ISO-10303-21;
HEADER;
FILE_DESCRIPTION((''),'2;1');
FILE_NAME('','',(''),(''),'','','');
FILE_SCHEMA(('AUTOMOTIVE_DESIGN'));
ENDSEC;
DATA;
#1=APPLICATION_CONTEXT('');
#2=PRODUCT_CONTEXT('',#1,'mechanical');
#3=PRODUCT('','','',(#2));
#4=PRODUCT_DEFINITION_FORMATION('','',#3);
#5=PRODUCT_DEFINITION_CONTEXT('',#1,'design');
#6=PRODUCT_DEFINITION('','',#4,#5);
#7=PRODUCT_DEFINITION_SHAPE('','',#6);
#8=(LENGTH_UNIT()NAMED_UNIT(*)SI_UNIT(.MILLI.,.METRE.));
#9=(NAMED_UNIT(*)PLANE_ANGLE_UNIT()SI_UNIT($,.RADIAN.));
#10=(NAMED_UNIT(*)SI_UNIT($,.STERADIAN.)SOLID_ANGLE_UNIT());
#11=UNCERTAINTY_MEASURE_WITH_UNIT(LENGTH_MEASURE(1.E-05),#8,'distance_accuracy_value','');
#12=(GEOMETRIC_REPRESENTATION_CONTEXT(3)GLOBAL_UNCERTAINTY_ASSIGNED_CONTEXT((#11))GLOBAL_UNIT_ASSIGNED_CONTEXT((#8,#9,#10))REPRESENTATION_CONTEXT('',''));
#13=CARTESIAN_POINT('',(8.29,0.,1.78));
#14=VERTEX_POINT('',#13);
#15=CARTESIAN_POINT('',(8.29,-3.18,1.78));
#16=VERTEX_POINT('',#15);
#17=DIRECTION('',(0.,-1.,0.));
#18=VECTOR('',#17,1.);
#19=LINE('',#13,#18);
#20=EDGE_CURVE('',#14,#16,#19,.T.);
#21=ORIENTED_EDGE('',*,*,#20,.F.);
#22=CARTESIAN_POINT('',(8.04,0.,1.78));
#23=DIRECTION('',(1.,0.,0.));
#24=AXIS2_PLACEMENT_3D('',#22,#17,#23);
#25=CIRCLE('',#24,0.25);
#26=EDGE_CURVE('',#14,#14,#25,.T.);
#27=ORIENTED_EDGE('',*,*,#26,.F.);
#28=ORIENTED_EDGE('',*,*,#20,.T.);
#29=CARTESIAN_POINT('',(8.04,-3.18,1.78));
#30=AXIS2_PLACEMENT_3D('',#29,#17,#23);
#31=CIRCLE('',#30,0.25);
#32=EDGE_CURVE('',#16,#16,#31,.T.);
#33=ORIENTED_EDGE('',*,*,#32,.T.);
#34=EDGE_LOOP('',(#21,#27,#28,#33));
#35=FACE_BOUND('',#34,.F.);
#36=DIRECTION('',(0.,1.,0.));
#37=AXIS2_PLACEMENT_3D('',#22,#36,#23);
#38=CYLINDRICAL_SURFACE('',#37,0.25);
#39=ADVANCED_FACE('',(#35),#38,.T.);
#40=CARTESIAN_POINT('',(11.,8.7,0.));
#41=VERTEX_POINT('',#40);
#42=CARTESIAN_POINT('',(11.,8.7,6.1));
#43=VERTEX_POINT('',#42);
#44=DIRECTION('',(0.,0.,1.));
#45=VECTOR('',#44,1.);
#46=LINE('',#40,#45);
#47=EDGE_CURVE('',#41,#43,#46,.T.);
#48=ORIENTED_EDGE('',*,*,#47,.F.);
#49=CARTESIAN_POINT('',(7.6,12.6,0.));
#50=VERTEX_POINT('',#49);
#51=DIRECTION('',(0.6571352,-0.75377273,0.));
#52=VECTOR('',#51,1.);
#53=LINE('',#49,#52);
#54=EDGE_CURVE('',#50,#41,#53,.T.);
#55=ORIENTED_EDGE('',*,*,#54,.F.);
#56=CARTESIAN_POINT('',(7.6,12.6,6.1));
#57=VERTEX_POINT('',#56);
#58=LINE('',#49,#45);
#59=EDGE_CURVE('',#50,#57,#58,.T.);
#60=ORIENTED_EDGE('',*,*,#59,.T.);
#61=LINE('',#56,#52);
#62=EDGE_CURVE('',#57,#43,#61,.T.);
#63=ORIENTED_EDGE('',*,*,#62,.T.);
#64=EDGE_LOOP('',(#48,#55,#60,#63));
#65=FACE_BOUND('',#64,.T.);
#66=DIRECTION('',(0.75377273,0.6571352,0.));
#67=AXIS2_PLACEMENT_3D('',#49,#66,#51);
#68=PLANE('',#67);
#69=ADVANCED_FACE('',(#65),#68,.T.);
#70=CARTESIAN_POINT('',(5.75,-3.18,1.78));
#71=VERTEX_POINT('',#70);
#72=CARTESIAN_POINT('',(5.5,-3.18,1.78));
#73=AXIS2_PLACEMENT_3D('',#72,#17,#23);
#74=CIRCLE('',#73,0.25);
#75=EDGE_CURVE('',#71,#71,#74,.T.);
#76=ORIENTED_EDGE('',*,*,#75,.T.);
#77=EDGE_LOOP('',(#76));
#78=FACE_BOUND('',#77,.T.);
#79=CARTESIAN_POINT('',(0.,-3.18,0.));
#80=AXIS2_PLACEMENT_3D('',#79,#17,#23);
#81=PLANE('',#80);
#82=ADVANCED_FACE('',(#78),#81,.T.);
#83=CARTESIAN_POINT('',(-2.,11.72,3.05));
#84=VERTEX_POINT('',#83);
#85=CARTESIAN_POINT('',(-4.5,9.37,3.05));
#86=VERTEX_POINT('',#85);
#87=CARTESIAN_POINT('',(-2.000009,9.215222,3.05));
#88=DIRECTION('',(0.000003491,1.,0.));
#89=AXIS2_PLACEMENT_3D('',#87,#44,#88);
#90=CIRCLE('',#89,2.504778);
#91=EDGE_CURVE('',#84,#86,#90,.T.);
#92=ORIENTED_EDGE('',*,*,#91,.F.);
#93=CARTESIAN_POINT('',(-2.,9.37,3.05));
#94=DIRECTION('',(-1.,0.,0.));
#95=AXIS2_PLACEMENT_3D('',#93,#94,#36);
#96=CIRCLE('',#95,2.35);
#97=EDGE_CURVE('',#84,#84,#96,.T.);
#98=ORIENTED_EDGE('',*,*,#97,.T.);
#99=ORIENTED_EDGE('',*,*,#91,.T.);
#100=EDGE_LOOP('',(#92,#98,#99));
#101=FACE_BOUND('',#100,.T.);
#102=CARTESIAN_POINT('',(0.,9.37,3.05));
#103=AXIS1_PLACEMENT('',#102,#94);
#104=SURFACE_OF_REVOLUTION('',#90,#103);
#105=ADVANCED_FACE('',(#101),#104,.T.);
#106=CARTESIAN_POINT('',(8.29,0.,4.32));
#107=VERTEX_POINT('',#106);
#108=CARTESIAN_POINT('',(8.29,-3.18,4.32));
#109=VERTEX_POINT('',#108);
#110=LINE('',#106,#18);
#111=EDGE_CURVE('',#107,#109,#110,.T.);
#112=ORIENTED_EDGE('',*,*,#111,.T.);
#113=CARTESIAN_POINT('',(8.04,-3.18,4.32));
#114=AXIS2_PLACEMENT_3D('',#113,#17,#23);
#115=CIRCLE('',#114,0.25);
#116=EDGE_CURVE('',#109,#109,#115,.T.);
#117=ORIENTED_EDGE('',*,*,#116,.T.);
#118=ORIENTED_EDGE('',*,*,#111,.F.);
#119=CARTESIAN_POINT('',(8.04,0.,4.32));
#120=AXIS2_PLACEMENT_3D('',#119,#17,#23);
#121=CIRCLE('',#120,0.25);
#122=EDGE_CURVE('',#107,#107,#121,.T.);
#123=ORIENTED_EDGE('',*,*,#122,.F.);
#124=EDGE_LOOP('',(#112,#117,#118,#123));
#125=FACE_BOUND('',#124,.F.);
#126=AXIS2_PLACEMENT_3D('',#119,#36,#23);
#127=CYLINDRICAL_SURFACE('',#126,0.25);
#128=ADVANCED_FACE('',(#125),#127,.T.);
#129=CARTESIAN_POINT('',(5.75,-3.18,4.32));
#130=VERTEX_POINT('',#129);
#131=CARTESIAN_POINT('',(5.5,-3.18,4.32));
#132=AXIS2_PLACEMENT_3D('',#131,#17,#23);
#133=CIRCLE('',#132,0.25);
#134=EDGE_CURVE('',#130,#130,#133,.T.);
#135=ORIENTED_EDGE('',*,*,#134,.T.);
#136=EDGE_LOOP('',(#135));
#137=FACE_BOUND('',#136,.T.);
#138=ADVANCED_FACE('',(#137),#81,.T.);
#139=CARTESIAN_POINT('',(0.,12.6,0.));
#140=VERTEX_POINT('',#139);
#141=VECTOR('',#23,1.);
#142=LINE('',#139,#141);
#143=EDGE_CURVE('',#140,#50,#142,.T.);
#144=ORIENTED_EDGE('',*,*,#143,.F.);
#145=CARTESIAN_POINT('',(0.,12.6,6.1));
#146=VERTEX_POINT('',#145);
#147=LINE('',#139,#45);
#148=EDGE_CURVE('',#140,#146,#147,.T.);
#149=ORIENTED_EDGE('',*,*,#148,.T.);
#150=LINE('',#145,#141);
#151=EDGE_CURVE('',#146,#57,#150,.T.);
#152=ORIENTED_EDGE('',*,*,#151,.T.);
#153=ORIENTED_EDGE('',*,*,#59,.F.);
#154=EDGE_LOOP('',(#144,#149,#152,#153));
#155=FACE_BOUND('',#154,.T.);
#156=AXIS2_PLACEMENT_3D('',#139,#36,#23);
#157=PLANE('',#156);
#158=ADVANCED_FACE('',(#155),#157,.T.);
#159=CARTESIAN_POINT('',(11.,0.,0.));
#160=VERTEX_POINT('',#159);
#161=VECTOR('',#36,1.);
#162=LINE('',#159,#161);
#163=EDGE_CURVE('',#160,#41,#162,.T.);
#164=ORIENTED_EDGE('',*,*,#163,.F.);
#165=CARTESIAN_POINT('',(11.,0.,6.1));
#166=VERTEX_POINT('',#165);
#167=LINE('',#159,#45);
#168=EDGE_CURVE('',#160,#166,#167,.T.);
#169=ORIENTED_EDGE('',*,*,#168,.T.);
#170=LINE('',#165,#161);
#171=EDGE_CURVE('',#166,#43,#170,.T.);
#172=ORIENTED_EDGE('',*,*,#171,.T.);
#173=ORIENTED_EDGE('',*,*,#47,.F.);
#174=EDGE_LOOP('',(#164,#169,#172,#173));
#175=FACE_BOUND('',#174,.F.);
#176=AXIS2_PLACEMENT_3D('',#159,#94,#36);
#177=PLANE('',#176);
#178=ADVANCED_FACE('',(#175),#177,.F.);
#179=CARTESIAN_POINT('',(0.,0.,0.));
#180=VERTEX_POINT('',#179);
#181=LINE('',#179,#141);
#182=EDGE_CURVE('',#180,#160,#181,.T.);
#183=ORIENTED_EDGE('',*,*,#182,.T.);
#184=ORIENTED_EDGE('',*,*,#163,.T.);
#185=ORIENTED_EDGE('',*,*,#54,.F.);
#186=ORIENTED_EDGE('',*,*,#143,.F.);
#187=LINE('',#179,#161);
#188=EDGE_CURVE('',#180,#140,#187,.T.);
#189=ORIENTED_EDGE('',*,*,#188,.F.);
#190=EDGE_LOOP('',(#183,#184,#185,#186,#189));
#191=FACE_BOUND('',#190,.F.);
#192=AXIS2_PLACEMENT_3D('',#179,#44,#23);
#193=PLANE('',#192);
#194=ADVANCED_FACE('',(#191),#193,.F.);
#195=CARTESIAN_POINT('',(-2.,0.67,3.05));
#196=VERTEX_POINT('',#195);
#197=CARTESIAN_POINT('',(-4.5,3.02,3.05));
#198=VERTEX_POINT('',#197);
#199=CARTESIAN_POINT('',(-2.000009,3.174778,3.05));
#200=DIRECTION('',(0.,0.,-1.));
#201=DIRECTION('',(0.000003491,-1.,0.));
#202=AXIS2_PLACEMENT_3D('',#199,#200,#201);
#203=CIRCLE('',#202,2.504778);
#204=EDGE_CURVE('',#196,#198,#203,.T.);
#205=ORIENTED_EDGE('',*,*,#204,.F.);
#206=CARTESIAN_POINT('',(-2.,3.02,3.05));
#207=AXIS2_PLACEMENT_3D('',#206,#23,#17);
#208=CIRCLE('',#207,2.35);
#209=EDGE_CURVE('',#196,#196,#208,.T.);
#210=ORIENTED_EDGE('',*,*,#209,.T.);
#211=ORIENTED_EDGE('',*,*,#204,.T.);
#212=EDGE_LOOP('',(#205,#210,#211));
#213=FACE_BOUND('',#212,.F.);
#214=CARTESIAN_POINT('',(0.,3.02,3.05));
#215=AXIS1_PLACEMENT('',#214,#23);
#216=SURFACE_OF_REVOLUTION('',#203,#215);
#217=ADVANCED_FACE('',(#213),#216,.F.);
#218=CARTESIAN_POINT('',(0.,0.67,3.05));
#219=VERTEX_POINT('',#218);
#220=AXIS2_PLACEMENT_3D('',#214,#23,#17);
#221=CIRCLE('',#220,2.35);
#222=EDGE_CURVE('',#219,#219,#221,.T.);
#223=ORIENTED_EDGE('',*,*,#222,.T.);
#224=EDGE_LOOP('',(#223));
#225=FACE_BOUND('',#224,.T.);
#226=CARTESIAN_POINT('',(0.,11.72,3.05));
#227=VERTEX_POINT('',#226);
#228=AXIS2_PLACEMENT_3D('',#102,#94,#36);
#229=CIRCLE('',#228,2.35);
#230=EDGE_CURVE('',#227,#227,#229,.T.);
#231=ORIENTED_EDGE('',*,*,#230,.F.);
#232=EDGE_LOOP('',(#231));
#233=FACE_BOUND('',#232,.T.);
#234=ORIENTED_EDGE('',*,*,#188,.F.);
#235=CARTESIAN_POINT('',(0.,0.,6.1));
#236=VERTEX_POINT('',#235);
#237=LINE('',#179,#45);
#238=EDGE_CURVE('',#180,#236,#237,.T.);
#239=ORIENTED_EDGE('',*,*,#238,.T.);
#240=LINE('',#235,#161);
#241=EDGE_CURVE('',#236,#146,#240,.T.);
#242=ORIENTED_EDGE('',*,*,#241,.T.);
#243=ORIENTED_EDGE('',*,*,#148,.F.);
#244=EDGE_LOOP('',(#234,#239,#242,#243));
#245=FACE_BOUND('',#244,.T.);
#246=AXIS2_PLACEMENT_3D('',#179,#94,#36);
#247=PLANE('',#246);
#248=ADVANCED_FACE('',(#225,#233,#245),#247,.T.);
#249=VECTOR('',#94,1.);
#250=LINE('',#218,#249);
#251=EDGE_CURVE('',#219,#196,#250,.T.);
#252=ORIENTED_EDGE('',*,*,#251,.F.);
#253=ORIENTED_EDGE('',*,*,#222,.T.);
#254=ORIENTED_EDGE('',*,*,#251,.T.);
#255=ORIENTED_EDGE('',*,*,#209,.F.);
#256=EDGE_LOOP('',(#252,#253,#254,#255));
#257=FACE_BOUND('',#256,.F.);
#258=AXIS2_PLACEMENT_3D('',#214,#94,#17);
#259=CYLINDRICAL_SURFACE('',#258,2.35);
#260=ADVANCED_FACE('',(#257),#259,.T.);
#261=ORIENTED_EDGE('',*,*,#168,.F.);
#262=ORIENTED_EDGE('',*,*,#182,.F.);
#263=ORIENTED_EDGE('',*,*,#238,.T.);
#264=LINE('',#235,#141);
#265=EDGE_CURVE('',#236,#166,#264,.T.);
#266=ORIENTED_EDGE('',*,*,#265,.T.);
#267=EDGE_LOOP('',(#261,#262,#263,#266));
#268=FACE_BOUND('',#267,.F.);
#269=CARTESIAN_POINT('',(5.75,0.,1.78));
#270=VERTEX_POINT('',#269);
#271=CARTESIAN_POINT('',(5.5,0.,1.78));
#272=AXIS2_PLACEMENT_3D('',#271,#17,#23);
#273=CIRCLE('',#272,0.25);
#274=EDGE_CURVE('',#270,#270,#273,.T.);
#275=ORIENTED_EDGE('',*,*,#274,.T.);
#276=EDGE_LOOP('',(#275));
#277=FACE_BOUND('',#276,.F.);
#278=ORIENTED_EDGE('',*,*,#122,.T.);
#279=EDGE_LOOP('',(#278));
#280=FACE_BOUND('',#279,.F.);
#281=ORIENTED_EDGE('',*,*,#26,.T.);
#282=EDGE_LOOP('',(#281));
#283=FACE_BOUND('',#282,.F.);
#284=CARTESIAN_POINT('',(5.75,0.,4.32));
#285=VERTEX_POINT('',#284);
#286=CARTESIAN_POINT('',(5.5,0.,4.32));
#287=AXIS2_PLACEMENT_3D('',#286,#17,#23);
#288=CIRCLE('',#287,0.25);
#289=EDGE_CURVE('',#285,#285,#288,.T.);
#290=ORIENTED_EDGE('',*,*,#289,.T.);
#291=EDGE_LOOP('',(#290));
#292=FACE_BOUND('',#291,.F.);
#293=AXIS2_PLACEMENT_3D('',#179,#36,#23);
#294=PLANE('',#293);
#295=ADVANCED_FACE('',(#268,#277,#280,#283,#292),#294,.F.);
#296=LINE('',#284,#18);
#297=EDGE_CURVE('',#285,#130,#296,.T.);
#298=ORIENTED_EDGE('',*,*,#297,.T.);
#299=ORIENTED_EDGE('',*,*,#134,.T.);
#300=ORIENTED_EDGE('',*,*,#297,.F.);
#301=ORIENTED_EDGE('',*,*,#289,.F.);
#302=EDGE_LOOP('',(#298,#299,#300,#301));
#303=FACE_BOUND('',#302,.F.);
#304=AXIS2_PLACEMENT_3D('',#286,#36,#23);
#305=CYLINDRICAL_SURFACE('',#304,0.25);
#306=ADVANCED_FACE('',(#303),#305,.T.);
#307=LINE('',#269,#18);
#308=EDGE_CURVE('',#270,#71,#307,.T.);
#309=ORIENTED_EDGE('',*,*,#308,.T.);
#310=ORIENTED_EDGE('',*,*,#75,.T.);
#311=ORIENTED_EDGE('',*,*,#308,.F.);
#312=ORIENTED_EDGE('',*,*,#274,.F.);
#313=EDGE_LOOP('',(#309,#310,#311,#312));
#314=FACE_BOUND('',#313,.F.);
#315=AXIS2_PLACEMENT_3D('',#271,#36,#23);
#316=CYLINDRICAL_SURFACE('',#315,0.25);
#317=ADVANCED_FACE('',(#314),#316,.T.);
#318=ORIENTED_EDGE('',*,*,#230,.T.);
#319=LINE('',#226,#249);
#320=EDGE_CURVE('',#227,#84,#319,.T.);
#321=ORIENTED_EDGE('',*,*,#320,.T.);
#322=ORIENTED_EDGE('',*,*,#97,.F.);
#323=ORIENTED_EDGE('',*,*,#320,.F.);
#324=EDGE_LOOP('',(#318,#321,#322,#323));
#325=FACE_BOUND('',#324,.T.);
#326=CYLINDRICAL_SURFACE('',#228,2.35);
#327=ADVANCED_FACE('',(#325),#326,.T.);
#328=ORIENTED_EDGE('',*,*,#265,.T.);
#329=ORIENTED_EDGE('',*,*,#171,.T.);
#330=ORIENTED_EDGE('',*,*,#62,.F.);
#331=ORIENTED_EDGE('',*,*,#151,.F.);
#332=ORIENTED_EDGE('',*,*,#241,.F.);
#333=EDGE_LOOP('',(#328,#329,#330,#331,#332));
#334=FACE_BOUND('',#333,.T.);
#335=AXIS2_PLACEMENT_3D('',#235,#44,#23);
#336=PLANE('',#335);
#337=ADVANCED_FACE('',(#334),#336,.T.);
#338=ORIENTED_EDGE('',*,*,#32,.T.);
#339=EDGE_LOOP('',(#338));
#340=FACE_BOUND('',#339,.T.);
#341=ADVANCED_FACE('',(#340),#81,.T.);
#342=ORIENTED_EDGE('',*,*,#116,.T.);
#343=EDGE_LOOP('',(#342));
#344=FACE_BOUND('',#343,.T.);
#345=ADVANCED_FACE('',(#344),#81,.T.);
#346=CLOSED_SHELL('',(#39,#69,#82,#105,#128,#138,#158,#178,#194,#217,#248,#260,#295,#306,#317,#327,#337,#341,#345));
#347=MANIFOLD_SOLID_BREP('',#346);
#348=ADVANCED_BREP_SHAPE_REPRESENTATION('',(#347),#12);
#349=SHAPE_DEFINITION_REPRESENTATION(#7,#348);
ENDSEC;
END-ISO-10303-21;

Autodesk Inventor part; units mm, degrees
ref_plane "YZ Plane" through (0, 0, 0) normal (1, 0, 0) x (0, 1, 0)
sketch "Sketch1" plane through (0, 0, 0) normal (0, 0, 1) x (1, 0, 0)
  line L0 (0, 0) -> (11, 0)
  line L1 (11, 0) -> (11, 8.7)
  line L2 (0, 0) -> (0, 12.6)
  line L3 (0, 12.6) -> (7.6, 12.6)
  line L4 (7.6, 12.6) -> (11, 8.7)
  dimension "d0" = 11
  dimension "d1" = 8.7
  dimension "d2" = 12.6
  dimension "d3" = 7.6
extrude "Extrusion1" add sketch "Sketch1" along normal blind 6.1
ref_plane "Work Plane1" through (0, 0, 3.05) normal (0, 0, 1) x (1, 0, 0)
sketch "Sketch2" plane through (0, 0, 3.05) normal (0, 0, 1) x (1, 0, 0)
  line L0 (0, 12.6) -> (0, 0) projected
  line L1 (0, 9.37) -> (-4.5, 9.37)
  line L2 (7.6, 12.6) -> (0, 12.6) projected
  line L3 (0, 11.72) -> (-2, 11.72)
  arc A0 (-2, 11.72) -> (-4.5, 9.37) centre (-2, 9.2152) ccw
  line L4 (0, 9.37) -> (0, 11.72)
  line L5 (0, 12.6) -> (0, 0) projected
  dimension "d6" = 3.23
  dimension "d7" = 4.5
  dimension "d8" = 2.35
  dimension "d10" = 2
revolve "Revolution1" add sketch "Sketch2" angle 360 about axis through (0, 9.37, 3.05) along (-1, 0, 0)
ref_plane "Work Plane2" through (0, 6.195, 0) normal (0, 1, 0) x (1, 0, 0)
mirror "Mirror1" about plane through (0, 6.195, 0) normal (0, 1, 0) of "Revolution1"
sketch "Sketch3" plane through (0, 0, 0) normal (0, -1, 0) x (1, 0, 0)
  circle A0 centre (5.5, 1.78) radius 0.25
  line L0 (0, 0) -> (0, 6.1) projected
  line L1 (0, 0) -> (11, 0) construction
  line L2 (0, 0) -> (11, 0)
  circle A1 centre (8.04, 1.78) radius 0.25
  line L3 (2.54, 0) -> (13.54, 0)
  circle A2 centre (5.5, 4.32) radius 0.25
  line L4 (0, 2.54) -> (11, 2.54)
  circle A3 centre (8.04, 4.32) radius 0.25
  line L5 (2.54, 2.54) -> (13.54, 2.54)
  point P0 (0, 3.05)
  point P1 (0, 3.05)
  dimension "d13" = 5.5
  dimension "d15" = 1.27
  dimension "d16" = 0.5
  dimension "d19" = 2.54
  dimension "d22" = 2.54
extrude "Extrusion2" add sketch "Sketch3" along normal blind 3.18
properties part number "SSF-LXHM250GGD"
